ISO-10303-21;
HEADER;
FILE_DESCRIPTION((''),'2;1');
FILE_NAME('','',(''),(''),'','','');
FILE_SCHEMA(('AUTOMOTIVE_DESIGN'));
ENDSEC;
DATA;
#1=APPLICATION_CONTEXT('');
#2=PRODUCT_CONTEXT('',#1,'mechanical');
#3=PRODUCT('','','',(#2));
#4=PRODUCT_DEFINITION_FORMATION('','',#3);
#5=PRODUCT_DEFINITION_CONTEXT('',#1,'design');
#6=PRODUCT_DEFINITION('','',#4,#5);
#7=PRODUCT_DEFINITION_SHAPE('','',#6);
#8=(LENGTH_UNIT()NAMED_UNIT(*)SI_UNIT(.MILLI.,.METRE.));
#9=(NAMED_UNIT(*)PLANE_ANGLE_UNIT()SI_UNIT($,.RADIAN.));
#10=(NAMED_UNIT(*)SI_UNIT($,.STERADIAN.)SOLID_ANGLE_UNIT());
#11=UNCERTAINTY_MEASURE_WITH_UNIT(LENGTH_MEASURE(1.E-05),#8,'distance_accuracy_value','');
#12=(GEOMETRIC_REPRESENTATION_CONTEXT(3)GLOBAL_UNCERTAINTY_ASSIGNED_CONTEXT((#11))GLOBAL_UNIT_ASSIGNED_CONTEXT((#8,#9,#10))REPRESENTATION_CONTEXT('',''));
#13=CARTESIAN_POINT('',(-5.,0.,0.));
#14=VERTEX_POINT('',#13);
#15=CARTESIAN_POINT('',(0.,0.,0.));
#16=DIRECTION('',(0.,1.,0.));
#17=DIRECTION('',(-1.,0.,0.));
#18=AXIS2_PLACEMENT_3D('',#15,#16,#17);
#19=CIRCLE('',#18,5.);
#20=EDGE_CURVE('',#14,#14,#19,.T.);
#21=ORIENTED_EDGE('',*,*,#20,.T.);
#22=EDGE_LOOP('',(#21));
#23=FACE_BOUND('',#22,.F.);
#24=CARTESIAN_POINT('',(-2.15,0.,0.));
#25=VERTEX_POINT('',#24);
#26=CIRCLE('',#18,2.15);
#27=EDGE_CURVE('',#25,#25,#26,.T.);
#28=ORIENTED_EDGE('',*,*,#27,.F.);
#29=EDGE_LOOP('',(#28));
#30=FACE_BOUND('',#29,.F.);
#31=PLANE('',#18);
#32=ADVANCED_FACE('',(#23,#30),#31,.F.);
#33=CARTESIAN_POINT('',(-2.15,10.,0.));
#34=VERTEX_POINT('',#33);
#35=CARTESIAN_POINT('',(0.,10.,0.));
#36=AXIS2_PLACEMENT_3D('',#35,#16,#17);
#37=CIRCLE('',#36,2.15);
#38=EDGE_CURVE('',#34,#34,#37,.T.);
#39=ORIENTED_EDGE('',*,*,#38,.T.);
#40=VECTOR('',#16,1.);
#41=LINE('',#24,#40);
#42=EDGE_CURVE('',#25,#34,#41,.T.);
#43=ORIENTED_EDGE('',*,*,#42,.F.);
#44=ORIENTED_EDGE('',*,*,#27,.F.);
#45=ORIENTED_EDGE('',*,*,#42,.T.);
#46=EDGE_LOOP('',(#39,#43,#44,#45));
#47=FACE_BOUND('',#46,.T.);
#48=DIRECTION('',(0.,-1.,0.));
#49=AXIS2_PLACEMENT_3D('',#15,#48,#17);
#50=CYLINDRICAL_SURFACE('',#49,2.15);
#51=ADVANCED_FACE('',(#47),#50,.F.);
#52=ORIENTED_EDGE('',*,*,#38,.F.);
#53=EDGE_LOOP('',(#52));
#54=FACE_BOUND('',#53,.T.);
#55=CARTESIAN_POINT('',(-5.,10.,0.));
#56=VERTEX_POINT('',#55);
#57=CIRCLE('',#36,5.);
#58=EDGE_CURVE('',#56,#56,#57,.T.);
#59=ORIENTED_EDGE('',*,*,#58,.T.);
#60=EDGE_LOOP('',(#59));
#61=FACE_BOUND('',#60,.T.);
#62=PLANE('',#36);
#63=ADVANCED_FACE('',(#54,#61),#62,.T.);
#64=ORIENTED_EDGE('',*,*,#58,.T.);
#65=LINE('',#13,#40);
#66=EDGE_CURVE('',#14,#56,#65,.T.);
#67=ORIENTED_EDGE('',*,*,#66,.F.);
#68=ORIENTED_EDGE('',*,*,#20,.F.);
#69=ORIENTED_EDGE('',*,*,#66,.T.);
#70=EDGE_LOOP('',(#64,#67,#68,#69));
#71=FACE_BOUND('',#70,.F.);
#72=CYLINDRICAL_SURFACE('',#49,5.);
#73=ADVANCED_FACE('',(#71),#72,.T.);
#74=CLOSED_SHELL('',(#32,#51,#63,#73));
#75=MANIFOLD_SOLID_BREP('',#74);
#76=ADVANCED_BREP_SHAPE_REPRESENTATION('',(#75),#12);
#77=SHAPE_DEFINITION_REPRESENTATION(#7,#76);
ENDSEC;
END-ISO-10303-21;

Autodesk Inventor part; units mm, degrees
ref_plane "YZ Plane" through (0, 0, 0) normal (1, 0, 0) x (0, 1, 0)
ref_plane "XZ Plane" through (0, 0, 0) normal (0, 1, 0) x (-1, 0, 0)
ref_plane "XY Plane" through (0, 0, 0) normal (0, 0, 1) x (1, 0, 0)
sketch "Sketch1" plane through (0, 0, 0) normal (0, 1, 0) x (-1, 0, 0)
  circle A0 centre (0, 0) radius 2.15
  circle A1 centre (0, 0) radius 5
  dimension "d0" = 4.3
  dimension "d1" = 10
extrude "Extrusion1" add sketch "Sketch1" along normal blind 10
equation "\"BendRadius\" = Thickness"
equation "\"BendReliefWidth\" = Thickness"
equation "\"BendReliefDepth\" = 0.5 * Thickness"
equation "\"CornerReliefSize\" = 4 * Thickness"
equation "\"MinimumRemnant\" = 2 * Thickness"
equation "\"TransitionRadius\" = BendRadius"
equation "\"JacobiRadiusSize\" = BendRadius"
equation "\"GapSize\" = Thickness"
equation "\"Thickness\" = 0.5"
properties part number "test1"
